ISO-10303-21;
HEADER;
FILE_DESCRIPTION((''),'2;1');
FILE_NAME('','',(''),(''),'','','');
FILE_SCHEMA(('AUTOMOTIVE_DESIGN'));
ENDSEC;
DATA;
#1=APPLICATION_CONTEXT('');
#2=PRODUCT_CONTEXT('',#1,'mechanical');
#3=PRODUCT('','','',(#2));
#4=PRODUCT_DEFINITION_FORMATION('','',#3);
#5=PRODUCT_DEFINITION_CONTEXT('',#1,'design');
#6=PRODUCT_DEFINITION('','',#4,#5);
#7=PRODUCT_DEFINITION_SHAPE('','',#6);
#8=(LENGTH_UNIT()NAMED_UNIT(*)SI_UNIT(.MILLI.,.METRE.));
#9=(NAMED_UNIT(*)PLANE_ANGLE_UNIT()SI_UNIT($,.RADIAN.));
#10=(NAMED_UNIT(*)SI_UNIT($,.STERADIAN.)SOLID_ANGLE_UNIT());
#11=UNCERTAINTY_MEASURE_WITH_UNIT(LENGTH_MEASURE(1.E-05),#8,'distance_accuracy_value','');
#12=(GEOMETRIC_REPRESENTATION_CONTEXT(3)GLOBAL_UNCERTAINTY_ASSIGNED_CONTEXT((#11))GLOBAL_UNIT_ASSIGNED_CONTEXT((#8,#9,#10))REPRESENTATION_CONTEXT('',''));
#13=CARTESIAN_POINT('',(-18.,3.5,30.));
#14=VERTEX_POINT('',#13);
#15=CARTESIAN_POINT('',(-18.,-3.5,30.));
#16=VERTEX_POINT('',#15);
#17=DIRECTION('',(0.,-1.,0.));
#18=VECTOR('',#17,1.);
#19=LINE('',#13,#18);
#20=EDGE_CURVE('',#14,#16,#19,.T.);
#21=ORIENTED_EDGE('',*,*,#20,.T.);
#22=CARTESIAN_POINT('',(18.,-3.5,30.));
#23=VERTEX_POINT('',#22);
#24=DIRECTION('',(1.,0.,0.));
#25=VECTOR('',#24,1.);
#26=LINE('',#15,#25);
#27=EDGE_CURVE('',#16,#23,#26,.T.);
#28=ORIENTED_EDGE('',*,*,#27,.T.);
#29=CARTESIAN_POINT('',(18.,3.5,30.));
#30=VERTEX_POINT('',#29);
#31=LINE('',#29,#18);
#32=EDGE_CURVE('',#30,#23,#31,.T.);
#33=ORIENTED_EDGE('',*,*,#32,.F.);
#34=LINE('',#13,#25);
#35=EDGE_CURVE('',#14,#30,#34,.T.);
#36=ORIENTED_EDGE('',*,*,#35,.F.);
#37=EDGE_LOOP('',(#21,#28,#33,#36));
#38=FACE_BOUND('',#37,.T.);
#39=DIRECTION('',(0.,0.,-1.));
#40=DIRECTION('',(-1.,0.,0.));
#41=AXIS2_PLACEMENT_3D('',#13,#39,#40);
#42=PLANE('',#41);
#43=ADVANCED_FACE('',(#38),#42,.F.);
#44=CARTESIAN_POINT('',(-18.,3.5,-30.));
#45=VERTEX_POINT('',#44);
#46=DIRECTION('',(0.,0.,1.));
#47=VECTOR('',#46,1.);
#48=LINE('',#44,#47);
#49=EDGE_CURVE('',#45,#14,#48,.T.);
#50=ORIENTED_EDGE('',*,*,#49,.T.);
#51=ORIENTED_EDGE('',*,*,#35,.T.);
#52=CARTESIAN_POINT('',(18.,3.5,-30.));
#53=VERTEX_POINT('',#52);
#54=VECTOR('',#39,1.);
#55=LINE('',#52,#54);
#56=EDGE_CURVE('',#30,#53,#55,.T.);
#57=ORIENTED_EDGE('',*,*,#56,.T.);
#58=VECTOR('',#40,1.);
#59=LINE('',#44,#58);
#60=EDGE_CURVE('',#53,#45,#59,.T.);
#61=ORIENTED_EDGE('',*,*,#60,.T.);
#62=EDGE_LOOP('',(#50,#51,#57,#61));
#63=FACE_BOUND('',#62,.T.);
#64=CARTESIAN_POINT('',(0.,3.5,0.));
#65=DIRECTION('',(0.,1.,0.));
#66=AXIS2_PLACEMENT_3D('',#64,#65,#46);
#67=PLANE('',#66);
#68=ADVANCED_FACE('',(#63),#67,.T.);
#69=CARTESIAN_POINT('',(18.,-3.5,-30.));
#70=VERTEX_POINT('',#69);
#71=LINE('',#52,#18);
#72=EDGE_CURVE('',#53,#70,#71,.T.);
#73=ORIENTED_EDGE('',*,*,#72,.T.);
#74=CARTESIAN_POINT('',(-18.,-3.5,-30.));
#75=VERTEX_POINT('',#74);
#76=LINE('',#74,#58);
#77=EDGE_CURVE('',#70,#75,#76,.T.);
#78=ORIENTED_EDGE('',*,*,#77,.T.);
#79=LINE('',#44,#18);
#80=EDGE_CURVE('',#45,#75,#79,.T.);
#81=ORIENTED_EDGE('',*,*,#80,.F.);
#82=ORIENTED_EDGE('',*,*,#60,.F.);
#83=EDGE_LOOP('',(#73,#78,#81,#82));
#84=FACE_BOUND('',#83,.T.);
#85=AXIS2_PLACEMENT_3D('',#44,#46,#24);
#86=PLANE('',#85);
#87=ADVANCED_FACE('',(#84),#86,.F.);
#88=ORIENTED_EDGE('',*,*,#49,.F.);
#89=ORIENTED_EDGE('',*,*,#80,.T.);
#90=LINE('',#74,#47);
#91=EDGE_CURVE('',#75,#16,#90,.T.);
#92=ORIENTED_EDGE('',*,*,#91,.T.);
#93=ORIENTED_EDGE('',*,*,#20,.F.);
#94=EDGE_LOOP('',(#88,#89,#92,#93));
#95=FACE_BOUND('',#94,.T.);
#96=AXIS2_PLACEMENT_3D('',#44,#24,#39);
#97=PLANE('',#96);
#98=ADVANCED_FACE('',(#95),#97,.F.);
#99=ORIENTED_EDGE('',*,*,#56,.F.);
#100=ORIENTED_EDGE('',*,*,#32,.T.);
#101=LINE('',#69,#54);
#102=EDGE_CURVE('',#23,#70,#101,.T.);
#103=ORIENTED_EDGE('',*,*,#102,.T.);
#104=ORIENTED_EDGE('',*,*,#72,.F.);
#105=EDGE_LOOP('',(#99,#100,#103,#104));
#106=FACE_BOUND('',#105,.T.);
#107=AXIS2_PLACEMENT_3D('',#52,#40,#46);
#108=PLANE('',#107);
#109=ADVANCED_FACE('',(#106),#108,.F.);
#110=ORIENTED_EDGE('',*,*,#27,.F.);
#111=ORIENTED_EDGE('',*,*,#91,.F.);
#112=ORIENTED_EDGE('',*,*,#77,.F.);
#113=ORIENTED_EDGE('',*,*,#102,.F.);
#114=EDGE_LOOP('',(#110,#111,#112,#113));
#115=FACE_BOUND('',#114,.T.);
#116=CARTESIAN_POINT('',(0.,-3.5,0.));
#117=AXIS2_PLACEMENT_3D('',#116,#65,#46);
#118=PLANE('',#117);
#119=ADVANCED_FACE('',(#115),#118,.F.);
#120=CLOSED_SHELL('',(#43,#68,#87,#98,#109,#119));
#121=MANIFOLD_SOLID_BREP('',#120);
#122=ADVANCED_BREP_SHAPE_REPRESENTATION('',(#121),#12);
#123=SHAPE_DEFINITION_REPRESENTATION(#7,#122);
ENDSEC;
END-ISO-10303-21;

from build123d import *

# Parameters (mm, degrees)
SKETCH1_W           = 36
SKETCH1_H           = 60
BOSS_EXTRUDE1_DEPTH = 3.5


with BuildPart() as part:
    # Sketch1 → Boss-Extrude1 (new body, symmetric)
    with BuildSketch(Plane(origin=(0, 0, 0), x_dir=(1, 0, 0), z_dir=(0, 1, 0))):
        Rectangle(SKETCH1_W, SKETCH1_H)
    extrude(amount=BOSS_EXTRUDE1_DEPTH, both=True)


solid = part.part
